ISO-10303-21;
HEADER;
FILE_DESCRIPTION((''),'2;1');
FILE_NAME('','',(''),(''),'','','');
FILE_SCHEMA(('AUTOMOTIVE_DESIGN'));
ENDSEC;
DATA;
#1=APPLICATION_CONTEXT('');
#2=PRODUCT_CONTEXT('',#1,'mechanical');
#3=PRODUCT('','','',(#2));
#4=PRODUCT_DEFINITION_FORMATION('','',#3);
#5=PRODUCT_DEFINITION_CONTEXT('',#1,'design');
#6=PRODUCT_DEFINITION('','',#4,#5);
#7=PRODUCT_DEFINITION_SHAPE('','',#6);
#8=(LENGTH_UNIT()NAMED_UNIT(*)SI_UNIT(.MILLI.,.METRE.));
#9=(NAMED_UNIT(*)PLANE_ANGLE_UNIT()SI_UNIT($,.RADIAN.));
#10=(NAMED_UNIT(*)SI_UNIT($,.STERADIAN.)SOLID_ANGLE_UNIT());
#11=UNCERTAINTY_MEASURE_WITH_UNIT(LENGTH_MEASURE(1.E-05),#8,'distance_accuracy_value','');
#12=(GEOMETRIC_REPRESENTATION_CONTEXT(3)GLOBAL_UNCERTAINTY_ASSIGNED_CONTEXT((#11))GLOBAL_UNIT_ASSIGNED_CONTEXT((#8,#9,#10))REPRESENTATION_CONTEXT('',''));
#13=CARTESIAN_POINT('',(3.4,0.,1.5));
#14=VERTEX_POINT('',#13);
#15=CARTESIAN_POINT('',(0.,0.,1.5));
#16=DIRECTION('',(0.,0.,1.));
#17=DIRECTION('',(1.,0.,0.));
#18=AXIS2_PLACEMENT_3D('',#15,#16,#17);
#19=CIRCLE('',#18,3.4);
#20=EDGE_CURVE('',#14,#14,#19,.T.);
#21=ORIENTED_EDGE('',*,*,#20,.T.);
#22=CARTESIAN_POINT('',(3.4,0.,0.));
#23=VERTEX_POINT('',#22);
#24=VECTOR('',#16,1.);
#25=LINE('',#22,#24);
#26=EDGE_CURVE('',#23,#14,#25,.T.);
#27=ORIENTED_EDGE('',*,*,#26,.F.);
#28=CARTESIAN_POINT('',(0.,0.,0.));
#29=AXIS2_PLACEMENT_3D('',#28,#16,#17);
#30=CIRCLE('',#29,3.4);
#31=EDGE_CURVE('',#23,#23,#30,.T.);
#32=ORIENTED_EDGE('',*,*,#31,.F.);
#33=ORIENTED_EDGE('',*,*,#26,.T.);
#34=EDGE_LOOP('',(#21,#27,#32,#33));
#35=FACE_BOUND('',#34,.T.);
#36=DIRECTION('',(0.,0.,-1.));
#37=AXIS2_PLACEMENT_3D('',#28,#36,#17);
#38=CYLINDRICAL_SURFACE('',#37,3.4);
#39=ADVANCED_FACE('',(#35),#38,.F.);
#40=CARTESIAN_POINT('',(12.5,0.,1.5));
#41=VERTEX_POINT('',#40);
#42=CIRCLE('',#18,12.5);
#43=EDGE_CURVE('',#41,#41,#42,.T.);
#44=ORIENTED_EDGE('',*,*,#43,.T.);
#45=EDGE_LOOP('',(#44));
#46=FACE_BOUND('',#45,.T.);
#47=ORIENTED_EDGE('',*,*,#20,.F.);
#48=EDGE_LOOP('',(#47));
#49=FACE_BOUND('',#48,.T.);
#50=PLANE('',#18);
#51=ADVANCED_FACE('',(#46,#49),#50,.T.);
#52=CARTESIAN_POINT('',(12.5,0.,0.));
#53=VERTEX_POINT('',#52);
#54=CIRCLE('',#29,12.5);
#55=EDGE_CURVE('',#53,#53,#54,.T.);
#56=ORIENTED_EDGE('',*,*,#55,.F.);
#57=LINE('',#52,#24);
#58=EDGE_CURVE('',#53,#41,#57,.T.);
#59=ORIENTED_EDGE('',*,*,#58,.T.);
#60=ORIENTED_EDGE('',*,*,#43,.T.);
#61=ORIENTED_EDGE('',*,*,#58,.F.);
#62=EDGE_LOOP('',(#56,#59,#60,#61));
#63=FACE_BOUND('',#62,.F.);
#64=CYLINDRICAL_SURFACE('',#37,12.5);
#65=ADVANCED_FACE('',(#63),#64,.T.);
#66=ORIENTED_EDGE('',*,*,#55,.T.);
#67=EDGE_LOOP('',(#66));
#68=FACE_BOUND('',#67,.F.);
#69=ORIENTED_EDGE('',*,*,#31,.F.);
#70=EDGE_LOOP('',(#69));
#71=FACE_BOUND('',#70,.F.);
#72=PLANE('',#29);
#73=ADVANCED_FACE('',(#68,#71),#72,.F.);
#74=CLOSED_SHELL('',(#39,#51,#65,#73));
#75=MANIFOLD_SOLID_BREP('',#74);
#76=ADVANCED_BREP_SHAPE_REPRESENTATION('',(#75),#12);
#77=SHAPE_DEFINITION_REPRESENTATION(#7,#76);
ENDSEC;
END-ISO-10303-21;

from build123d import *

# Parameters (mm, degrees)
SKETCH_R   = 12.5
SKETCH_R_2 = 3.4
PAD_DEPTH  = 1.5


with BuildPart() as part:
    # Sketch → Pad (new body)
    with BuildSketch(Plane.XY):
        Circle(SKETCH_R)
        Circle(SKETCH_R_2, mode=Mode.SUBTRACT)
    extrude(amount=PAD_DEPTH)


solid = part.part
